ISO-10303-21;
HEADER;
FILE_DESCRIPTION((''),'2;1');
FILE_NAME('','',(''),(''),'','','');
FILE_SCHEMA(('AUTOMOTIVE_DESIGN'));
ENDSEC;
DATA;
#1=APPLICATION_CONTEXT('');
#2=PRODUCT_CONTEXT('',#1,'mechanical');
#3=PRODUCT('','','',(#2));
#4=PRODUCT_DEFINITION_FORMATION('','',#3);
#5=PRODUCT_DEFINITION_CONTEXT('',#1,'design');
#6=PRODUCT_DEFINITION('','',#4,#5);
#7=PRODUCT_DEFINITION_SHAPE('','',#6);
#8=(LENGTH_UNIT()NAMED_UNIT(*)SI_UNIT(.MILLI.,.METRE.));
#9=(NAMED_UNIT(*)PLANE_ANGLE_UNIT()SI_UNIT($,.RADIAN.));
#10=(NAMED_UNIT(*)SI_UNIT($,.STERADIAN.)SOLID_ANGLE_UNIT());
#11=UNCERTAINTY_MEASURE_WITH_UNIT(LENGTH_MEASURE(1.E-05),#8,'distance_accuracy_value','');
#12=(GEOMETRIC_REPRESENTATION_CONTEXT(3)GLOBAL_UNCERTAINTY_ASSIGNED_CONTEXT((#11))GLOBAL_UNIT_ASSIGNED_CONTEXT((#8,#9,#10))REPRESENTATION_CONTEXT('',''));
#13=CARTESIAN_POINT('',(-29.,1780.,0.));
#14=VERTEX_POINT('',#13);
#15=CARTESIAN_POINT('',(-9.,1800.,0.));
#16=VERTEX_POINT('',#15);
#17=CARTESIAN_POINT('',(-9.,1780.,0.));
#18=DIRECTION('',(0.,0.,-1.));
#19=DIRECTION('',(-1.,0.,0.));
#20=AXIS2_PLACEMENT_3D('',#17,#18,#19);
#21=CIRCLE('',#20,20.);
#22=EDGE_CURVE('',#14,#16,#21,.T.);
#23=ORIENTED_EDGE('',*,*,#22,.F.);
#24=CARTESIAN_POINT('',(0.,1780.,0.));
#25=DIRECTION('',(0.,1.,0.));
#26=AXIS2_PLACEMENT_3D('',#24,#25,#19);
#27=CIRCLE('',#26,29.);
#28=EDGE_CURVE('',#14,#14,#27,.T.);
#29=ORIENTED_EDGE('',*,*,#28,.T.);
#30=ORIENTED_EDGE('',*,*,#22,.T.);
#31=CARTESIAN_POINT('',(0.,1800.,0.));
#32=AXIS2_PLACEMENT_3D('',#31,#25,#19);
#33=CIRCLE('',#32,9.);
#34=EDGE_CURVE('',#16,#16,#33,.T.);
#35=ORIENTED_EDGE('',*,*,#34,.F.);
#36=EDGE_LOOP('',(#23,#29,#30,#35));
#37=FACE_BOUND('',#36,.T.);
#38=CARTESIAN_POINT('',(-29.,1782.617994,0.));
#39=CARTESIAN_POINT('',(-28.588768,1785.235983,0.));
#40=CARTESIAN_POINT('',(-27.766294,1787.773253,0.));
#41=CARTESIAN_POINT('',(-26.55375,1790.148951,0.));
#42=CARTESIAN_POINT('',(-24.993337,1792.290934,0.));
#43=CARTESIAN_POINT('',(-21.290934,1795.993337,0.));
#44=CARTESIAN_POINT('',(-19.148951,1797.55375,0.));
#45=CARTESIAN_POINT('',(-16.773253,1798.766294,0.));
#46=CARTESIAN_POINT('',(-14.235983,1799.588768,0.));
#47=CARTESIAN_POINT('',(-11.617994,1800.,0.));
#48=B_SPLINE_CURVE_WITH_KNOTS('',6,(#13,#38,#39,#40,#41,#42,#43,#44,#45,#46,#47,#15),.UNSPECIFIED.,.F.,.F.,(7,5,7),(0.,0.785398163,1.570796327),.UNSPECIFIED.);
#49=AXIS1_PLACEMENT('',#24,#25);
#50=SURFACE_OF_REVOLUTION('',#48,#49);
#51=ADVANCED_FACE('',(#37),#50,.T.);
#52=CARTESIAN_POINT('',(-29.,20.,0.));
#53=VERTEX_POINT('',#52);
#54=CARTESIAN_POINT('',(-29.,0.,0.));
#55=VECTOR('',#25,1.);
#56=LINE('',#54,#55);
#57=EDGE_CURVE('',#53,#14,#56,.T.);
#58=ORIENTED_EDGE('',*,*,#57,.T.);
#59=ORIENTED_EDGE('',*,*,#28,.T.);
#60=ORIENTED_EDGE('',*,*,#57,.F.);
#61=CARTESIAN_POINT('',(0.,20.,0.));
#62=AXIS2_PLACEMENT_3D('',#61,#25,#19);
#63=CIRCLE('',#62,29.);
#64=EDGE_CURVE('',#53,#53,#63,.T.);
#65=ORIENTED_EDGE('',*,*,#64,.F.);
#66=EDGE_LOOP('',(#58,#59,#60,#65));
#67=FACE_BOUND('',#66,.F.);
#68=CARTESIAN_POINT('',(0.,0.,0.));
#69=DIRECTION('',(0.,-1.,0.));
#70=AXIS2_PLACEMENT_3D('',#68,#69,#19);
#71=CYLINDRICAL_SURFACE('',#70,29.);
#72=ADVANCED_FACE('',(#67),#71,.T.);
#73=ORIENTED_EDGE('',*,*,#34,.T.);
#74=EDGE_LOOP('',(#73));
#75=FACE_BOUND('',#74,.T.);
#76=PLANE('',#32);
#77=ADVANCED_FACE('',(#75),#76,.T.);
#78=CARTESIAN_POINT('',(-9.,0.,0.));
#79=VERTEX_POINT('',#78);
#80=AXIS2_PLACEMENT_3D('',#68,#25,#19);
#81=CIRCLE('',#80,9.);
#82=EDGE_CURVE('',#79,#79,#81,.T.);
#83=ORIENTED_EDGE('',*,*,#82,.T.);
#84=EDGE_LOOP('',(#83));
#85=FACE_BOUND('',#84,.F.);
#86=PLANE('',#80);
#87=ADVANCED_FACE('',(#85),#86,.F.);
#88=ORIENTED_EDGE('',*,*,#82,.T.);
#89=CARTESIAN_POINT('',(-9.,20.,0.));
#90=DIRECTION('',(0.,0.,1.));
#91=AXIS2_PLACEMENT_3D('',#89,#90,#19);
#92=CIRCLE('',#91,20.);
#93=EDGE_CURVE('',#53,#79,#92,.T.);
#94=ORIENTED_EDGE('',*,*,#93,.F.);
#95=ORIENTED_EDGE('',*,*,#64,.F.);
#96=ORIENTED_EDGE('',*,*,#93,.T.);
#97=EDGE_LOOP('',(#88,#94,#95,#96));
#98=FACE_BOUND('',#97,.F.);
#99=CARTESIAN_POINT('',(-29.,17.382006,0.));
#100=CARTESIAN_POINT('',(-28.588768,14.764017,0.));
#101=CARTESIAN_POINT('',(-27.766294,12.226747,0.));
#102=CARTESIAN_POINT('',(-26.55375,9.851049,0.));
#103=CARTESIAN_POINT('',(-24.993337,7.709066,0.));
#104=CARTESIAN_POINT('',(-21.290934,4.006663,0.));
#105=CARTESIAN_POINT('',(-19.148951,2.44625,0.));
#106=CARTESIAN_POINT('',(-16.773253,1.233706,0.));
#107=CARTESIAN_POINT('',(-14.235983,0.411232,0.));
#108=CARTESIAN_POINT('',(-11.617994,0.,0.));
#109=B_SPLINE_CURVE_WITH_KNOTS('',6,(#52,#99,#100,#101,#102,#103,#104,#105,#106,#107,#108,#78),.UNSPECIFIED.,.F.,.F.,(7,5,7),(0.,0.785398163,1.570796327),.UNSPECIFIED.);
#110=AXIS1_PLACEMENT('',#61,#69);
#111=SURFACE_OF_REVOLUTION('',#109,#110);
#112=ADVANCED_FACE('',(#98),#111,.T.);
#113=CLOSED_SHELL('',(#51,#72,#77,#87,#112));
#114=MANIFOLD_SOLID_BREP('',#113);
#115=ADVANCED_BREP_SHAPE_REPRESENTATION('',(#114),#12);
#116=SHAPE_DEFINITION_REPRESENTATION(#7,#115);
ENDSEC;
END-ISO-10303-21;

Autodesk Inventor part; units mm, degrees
ref_plane "YZ Plane" through (0, 0, 0) normal (1, 0, 0) x (0, 1, 0)
ref_plane "XZ Plane" through (0, 0, 0) normal (0, 1, 0) x (-1, 0, 0)
ref_plane "XY Plane" through (0, 0, 0) normal (0, 0, 1) x (1, 0, 0)
sketch "Sketch1" plane through (0, 0, 0) normal (0, 1, 0) x (-1, 0, 0)
  circle A0 centre (0, 0) radius 29
  dimension "d0" = 58
extrude "Extrusion1" add sketch "Sketch1" along normal blind 1800
fillet "Fillet1" radius 20 2 edges at (29, 1800, 0) (29, 0, 0)
properties part number "TUBO"
